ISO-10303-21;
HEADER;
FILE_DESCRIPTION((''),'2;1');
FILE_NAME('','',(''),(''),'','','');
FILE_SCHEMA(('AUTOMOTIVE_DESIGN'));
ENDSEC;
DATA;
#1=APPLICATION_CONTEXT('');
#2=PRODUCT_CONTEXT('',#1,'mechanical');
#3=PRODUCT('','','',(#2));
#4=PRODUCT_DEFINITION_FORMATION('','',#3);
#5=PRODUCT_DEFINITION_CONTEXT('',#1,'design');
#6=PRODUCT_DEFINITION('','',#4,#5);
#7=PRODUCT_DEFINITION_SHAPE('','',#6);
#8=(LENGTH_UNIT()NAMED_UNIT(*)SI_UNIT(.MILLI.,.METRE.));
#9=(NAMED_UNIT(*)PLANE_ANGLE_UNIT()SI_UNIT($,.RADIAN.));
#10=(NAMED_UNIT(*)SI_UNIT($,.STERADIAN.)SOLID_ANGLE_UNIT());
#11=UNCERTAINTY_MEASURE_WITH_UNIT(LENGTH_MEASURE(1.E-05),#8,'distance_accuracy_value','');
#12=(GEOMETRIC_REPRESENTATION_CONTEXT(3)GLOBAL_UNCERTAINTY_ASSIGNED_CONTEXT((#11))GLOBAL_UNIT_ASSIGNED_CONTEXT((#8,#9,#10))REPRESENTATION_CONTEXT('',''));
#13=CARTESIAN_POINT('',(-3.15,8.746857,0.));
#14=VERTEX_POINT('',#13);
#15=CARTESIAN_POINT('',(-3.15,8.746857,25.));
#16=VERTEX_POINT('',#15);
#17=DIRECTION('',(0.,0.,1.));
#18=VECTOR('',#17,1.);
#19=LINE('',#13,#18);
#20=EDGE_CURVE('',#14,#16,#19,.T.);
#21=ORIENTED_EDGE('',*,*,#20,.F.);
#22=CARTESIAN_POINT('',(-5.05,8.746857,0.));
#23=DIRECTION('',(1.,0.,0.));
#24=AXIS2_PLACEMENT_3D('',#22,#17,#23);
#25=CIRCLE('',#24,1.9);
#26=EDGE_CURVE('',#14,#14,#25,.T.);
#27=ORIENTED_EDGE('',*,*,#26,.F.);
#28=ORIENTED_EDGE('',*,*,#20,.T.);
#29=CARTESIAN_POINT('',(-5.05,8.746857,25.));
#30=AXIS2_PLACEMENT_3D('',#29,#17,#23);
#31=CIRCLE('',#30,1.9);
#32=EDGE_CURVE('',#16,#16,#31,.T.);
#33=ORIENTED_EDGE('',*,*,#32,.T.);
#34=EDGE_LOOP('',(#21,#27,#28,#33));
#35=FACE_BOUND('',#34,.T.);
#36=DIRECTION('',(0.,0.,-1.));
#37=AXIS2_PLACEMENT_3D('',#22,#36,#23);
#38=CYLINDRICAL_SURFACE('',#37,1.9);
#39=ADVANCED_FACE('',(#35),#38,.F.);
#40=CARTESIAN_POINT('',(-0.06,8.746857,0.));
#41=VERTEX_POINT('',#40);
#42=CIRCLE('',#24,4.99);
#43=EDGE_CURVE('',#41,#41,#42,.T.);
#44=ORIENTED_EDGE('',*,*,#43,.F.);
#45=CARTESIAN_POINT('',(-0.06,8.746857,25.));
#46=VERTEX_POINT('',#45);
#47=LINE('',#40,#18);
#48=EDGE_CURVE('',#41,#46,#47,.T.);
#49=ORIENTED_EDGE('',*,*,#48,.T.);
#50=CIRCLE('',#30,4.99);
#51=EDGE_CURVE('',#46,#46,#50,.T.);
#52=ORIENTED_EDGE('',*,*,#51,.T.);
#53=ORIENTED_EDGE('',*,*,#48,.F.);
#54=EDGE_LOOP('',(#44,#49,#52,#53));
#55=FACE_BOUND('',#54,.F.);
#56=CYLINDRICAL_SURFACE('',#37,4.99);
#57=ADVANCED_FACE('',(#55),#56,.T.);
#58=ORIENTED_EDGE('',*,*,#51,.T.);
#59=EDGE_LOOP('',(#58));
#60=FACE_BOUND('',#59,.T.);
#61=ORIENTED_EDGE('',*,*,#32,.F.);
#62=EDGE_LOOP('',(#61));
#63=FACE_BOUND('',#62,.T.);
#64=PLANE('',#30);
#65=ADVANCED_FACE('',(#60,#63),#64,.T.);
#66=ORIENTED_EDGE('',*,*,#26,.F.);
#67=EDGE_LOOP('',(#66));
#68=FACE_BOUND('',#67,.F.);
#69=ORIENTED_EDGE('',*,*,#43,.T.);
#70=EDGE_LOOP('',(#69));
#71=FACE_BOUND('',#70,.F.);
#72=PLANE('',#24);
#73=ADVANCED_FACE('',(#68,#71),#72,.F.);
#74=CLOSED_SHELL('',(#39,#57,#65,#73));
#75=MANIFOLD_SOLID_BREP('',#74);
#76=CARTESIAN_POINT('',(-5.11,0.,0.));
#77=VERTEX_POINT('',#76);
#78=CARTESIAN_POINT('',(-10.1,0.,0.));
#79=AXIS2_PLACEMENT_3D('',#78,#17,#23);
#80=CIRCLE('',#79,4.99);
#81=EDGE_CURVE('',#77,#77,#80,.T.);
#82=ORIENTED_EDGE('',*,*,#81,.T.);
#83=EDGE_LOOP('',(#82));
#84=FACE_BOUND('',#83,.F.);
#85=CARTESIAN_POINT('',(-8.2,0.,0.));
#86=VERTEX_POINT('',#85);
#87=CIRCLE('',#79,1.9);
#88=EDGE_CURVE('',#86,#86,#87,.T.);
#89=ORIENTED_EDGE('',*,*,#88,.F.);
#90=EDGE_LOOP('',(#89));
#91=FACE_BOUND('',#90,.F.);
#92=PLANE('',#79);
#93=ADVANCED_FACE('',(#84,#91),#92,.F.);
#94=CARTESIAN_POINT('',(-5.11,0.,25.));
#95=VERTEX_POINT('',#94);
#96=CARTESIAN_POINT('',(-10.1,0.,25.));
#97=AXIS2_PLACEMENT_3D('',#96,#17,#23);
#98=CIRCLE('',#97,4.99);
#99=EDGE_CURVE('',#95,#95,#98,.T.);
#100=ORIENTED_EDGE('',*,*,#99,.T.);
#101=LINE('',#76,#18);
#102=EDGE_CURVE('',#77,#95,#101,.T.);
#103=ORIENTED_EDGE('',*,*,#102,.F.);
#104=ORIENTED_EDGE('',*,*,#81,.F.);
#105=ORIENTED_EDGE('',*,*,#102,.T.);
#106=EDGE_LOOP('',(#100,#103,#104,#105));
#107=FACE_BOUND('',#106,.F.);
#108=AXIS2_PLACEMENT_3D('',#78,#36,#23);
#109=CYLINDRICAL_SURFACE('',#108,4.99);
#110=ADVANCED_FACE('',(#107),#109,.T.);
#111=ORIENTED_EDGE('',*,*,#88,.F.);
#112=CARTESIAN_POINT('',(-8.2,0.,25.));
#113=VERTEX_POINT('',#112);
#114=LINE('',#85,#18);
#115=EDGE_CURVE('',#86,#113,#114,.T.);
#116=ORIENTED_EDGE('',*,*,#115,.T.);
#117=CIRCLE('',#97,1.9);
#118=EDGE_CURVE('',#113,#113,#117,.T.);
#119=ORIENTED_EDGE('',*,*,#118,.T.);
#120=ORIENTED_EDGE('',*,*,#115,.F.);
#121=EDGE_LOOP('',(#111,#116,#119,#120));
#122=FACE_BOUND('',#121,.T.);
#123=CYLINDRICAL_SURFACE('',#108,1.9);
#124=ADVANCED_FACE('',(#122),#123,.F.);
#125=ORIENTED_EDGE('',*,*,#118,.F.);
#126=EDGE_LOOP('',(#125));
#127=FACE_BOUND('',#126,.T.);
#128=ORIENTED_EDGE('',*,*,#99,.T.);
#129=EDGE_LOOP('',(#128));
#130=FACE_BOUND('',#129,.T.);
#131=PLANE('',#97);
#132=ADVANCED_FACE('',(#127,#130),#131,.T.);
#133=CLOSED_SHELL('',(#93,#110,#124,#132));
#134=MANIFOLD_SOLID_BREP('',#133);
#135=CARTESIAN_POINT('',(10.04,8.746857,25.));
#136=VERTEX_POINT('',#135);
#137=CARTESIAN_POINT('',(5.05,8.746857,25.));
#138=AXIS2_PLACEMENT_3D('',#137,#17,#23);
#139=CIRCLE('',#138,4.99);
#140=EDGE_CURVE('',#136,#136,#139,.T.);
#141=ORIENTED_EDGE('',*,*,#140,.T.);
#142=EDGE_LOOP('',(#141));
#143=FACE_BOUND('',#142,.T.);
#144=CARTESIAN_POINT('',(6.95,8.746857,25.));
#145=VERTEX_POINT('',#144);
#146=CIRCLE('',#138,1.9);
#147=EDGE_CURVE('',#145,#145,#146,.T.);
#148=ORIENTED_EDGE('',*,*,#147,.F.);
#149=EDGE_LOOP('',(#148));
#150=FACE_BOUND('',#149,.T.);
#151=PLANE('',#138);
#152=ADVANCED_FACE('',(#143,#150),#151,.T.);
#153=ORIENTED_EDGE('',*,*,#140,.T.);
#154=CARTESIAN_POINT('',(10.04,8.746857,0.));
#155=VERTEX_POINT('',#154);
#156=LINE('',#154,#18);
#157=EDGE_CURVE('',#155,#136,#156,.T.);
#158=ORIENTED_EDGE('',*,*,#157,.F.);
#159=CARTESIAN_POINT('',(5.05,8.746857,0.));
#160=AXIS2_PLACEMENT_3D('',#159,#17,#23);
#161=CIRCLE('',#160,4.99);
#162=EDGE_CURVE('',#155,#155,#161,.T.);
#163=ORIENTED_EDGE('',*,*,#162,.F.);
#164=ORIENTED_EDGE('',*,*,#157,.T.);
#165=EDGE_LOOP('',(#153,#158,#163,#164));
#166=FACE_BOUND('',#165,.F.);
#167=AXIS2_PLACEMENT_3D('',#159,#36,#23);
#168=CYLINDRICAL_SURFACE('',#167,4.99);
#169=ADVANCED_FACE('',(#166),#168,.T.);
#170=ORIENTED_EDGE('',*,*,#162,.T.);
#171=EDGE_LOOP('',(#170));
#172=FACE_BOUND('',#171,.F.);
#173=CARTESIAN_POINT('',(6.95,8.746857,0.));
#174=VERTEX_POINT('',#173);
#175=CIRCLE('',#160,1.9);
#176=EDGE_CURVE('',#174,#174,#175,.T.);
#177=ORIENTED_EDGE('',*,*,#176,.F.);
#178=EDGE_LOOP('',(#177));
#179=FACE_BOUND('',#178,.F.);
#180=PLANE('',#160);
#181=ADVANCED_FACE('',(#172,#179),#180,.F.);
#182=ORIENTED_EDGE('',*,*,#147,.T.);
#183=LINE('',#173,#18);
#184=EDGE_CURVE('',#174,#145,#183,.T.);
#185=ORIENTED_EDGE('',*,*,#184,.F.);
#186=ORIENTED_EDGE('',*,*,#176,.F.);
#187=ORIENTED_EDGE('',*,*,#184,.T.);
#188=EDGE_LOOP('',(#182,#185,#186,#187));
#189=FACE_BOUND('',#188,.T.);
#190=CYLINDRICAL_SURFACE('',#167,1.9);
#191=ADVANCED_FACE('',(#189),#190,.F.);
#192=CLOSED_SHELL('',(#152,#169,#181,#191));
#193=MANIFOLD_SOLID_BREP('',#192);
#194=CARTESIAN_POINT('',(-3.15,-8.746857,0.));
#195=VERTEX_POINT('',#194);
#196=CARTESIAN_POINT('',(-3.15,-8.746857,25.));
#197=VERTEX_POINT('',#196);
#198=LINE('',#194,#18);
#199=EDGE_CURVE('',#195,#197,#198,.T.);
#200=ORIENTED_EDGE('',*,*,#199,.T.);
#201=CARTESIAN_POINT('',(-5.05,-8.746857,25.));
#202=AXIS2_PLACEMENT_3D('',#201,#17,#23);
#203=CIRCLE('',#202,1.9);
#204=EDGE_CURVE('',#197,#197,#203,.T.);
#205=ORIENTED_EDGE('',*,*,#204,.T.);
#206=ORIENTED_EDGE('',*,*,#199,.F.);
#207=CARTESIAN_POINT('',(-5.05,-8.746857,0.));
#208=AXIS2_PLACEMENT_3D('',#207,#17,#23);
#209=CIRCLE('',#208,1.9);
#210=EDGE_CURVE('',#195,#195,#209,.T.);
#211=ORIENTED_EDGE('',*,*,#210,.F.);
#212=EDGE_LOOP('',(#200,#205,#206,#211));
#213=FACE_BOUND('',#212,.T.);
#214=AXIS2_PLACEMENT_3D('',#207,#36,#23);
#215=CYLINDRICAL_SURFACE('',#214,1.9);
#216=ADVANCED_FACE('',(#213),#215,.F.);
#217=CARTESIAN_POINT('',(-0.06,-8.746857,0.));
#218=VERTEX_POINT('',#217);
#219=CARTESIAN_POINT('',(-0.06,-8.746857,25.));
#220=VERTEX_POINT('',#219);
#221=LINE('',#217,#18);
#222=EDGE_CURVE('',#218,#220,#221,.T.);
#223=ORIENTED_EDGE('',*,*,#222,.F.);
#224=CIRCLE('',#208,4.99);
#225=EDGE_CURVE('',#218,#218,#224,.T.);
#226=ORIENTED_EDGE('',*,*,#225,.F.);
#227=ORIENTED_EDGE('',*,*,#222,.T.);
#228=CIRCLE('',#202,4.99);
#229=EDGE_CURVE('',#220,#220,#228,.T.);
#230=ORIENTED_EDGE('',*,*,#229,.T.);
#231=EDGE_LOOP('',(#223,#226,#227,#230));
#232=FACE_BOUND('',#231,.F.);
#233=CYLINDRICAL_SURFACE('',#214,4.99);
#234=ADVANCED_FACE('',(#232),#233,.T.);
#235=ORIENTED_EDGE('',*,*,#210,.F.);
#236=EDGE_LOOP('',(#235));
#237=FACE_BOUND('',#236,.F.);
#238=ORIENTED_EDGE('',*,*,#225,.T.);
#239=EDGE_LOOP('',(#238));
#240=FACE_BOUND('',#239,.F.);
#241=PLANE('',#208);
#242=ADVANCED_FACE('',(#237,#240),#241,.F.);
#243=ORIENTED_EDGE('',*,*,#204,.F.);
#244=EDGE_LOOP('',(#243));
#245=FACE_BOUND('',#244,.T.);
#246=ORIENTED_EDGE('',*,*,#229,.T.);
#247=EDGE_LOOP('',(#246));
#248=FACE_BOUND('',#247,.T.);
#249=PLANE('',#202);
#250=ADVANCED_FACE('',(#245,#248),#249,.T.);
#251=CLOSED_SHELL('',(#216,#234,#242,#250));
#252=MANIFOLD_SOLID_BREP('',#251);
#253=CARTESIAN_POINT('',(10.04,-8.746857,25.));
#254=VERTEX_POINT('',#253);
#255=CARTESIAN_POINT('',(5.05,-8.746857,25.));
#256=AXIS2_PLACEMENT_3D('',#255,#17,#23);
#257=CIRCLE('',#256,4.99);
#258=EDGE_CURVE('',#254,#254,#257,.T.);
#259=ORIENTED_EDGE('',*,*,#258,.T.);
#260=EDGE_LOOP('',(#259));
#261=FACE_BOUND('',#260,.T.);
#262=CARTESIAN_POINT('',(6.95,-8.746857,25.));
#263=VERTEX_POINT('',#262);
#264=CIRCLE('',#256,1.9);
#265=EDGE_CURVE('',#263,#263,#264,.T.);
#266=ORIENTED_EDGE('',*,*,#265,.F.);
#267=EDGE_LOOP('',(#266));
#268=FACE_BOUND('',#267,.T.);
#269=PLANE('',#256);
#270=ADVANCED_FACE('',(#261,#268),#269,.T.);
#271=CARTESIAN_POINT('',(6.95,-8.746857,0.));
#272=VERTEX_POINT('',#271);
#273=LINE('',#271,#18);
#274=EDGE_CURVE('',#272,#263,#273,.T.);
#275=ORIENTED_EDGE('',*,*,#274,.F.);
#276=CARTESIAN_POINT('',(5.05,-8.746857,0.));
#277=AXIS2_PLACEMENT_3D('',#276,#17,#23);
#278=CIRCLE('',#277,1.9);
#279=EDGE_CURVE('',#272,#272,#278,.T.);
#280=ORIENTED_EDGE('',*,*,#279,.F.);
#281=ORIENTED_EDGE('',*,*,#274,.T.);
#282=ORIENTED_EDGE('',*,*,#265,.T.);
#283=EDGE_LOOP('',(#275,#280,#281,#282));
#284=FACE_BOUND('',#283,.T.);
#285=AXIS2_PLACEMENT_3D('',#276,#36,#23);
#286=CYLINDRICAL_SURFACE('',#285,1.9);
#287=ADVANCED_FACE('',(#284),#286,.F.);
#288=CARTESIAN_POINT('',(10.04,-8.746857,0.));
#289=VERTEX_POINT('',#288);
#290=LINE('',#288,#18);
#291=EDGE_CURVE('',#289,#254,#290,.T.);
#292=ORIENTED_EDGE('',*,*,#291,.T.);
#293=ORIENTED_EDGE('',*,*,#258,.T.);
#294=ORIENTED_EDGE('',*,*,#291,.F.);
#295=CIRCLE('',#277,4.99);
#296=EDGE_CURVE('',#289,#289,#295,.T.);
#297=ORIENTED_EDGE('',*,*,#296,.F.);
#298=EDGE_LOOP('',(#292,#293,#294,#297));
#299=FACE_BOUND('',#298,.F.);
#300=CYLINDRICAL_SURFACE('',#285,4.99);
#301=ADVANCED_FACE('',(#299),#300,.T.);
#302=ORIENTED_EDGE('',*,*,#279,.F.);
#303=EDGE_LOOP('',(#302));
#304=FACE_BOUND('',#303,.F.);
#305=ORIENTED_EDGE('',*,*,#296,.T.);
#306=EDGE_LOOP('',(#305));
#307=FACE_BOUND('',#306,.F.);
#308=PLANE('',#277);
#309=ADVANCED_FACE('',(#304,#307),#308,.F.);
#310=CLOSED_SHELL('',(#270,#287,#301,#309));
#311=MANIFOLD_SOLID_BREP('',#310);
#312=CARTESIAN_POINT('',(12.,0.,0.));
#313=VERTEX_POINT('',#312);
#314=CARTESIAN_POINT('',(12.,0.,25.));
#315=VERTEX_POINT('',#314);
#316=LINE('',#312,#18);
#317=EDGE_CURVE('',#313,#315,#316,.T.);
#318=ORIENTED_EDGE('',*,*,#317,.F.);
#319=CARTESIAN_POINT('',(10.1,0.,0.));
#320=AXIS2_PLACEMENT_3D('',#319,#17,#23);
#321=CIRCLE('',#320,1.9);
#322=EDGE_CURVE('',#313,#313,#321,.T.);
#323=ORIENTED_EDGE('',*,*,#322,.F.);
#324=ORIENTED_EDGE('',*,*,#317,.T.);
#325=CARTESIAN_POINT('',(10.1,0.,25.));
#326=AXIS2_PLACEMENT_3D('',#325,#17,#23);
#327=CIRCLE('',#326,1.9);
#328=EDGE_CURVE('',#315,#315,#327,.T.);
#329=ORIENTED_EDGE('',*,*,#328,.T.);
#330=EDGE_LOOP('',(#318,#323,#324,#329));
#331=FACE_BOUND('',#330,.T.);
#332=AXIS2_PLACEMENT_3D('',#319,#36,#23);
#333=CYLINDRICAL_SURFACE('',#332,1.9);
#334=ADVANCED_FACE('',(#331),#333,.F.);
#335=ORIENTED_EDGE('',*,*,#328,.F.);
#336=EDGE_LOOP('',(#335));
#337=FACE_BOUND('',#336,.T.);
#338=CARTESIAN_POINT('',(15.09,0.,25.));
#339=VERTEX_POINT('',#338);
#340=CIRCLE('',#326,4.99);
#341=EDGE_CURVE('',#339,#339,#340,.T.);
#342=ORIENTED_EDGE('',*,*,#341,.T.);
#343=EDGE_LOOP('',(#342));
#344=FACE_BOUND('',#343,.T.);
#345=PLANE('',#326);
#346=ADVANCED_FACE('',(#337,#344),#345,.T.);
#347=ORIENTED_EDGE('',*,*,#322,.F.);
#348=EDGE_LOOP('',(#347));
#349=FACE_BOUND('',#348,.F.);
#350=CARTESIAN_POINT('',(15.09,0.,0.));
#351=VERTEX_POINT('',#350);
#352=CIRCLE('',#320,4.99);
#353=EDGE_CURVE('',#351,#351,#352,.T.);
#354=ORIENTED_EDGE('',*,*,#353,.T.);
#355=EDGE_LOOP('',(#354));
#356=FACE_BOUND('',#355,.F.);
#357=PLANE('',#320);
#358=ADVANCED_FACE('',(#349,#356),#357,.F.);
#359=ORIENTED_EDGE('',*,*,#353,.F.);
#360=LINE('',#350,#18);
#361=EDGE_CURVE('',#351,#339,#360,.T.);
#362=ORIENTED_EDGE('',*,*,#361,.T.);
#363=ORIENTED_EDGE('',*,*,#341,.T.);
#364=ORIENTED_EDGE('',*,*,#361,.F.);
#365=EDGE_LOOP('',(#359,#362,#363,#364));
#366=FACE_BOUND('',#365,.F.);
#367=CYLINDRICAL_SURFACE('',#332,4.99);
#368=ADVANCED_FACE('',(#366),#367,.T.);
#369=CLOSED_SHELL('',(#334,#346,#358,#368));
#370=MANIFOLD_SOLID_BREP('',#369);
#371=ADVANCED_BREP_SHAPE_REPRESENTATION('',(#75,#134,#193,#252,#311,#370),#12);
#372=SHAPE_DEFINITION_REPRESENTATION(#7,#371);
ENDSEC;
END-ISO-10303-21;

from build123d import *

# Parameters (mm, degrees)
F0_R     = 4.99
F0_R_2   = 1.9
F1_DEPTH = 25


with BuildPart() as f1:
    # F0 (on Top) → F1 (new body)
    with BuildSketch(Plane.XY):
        with Locations((10.1, 0)):
            Circle(F0_R)
        with Locations((10.1, 0)):
            Circle(F0_R_2, mode=Mode.SUBTRACT)
        with Locations((5.05, 8.746857)):
            Circle(F0_R)
        with Locations((5.05, 8.746857)):
            Circle(F0_R_2, mode=Mode.SUBTRACT)
        with Locations((-5.05, 8.746857)):
            Circle(F0_R)
        with Locations((-5.05, 8.746857)):
            Circle(F0_R_2, mode=Mode.SUBTRACT)
        with Locations((-10.1, 0)):
            Circle(F0_R)
        with Locations((-10.1, 0)):
            Circle(F0_R_2, mode=Mode.SUBTRACT)
        with Locations((-5.05, -8.746857)):
            Circle(F0_R)
        with Locations((-5.05, -8.746857)):
            Circle(F0_R_2, mode=Mode.SUBTRACT)
        with Locations((5.05, -8.746857)):
            Circle(F0_R)
        with Locations((5.05, -8.746857)):
            Circle(F0_R_2, mode=Mode.SUBTRACT)
    extrude(amount=F1_DEPTH)


solid = f1.part
